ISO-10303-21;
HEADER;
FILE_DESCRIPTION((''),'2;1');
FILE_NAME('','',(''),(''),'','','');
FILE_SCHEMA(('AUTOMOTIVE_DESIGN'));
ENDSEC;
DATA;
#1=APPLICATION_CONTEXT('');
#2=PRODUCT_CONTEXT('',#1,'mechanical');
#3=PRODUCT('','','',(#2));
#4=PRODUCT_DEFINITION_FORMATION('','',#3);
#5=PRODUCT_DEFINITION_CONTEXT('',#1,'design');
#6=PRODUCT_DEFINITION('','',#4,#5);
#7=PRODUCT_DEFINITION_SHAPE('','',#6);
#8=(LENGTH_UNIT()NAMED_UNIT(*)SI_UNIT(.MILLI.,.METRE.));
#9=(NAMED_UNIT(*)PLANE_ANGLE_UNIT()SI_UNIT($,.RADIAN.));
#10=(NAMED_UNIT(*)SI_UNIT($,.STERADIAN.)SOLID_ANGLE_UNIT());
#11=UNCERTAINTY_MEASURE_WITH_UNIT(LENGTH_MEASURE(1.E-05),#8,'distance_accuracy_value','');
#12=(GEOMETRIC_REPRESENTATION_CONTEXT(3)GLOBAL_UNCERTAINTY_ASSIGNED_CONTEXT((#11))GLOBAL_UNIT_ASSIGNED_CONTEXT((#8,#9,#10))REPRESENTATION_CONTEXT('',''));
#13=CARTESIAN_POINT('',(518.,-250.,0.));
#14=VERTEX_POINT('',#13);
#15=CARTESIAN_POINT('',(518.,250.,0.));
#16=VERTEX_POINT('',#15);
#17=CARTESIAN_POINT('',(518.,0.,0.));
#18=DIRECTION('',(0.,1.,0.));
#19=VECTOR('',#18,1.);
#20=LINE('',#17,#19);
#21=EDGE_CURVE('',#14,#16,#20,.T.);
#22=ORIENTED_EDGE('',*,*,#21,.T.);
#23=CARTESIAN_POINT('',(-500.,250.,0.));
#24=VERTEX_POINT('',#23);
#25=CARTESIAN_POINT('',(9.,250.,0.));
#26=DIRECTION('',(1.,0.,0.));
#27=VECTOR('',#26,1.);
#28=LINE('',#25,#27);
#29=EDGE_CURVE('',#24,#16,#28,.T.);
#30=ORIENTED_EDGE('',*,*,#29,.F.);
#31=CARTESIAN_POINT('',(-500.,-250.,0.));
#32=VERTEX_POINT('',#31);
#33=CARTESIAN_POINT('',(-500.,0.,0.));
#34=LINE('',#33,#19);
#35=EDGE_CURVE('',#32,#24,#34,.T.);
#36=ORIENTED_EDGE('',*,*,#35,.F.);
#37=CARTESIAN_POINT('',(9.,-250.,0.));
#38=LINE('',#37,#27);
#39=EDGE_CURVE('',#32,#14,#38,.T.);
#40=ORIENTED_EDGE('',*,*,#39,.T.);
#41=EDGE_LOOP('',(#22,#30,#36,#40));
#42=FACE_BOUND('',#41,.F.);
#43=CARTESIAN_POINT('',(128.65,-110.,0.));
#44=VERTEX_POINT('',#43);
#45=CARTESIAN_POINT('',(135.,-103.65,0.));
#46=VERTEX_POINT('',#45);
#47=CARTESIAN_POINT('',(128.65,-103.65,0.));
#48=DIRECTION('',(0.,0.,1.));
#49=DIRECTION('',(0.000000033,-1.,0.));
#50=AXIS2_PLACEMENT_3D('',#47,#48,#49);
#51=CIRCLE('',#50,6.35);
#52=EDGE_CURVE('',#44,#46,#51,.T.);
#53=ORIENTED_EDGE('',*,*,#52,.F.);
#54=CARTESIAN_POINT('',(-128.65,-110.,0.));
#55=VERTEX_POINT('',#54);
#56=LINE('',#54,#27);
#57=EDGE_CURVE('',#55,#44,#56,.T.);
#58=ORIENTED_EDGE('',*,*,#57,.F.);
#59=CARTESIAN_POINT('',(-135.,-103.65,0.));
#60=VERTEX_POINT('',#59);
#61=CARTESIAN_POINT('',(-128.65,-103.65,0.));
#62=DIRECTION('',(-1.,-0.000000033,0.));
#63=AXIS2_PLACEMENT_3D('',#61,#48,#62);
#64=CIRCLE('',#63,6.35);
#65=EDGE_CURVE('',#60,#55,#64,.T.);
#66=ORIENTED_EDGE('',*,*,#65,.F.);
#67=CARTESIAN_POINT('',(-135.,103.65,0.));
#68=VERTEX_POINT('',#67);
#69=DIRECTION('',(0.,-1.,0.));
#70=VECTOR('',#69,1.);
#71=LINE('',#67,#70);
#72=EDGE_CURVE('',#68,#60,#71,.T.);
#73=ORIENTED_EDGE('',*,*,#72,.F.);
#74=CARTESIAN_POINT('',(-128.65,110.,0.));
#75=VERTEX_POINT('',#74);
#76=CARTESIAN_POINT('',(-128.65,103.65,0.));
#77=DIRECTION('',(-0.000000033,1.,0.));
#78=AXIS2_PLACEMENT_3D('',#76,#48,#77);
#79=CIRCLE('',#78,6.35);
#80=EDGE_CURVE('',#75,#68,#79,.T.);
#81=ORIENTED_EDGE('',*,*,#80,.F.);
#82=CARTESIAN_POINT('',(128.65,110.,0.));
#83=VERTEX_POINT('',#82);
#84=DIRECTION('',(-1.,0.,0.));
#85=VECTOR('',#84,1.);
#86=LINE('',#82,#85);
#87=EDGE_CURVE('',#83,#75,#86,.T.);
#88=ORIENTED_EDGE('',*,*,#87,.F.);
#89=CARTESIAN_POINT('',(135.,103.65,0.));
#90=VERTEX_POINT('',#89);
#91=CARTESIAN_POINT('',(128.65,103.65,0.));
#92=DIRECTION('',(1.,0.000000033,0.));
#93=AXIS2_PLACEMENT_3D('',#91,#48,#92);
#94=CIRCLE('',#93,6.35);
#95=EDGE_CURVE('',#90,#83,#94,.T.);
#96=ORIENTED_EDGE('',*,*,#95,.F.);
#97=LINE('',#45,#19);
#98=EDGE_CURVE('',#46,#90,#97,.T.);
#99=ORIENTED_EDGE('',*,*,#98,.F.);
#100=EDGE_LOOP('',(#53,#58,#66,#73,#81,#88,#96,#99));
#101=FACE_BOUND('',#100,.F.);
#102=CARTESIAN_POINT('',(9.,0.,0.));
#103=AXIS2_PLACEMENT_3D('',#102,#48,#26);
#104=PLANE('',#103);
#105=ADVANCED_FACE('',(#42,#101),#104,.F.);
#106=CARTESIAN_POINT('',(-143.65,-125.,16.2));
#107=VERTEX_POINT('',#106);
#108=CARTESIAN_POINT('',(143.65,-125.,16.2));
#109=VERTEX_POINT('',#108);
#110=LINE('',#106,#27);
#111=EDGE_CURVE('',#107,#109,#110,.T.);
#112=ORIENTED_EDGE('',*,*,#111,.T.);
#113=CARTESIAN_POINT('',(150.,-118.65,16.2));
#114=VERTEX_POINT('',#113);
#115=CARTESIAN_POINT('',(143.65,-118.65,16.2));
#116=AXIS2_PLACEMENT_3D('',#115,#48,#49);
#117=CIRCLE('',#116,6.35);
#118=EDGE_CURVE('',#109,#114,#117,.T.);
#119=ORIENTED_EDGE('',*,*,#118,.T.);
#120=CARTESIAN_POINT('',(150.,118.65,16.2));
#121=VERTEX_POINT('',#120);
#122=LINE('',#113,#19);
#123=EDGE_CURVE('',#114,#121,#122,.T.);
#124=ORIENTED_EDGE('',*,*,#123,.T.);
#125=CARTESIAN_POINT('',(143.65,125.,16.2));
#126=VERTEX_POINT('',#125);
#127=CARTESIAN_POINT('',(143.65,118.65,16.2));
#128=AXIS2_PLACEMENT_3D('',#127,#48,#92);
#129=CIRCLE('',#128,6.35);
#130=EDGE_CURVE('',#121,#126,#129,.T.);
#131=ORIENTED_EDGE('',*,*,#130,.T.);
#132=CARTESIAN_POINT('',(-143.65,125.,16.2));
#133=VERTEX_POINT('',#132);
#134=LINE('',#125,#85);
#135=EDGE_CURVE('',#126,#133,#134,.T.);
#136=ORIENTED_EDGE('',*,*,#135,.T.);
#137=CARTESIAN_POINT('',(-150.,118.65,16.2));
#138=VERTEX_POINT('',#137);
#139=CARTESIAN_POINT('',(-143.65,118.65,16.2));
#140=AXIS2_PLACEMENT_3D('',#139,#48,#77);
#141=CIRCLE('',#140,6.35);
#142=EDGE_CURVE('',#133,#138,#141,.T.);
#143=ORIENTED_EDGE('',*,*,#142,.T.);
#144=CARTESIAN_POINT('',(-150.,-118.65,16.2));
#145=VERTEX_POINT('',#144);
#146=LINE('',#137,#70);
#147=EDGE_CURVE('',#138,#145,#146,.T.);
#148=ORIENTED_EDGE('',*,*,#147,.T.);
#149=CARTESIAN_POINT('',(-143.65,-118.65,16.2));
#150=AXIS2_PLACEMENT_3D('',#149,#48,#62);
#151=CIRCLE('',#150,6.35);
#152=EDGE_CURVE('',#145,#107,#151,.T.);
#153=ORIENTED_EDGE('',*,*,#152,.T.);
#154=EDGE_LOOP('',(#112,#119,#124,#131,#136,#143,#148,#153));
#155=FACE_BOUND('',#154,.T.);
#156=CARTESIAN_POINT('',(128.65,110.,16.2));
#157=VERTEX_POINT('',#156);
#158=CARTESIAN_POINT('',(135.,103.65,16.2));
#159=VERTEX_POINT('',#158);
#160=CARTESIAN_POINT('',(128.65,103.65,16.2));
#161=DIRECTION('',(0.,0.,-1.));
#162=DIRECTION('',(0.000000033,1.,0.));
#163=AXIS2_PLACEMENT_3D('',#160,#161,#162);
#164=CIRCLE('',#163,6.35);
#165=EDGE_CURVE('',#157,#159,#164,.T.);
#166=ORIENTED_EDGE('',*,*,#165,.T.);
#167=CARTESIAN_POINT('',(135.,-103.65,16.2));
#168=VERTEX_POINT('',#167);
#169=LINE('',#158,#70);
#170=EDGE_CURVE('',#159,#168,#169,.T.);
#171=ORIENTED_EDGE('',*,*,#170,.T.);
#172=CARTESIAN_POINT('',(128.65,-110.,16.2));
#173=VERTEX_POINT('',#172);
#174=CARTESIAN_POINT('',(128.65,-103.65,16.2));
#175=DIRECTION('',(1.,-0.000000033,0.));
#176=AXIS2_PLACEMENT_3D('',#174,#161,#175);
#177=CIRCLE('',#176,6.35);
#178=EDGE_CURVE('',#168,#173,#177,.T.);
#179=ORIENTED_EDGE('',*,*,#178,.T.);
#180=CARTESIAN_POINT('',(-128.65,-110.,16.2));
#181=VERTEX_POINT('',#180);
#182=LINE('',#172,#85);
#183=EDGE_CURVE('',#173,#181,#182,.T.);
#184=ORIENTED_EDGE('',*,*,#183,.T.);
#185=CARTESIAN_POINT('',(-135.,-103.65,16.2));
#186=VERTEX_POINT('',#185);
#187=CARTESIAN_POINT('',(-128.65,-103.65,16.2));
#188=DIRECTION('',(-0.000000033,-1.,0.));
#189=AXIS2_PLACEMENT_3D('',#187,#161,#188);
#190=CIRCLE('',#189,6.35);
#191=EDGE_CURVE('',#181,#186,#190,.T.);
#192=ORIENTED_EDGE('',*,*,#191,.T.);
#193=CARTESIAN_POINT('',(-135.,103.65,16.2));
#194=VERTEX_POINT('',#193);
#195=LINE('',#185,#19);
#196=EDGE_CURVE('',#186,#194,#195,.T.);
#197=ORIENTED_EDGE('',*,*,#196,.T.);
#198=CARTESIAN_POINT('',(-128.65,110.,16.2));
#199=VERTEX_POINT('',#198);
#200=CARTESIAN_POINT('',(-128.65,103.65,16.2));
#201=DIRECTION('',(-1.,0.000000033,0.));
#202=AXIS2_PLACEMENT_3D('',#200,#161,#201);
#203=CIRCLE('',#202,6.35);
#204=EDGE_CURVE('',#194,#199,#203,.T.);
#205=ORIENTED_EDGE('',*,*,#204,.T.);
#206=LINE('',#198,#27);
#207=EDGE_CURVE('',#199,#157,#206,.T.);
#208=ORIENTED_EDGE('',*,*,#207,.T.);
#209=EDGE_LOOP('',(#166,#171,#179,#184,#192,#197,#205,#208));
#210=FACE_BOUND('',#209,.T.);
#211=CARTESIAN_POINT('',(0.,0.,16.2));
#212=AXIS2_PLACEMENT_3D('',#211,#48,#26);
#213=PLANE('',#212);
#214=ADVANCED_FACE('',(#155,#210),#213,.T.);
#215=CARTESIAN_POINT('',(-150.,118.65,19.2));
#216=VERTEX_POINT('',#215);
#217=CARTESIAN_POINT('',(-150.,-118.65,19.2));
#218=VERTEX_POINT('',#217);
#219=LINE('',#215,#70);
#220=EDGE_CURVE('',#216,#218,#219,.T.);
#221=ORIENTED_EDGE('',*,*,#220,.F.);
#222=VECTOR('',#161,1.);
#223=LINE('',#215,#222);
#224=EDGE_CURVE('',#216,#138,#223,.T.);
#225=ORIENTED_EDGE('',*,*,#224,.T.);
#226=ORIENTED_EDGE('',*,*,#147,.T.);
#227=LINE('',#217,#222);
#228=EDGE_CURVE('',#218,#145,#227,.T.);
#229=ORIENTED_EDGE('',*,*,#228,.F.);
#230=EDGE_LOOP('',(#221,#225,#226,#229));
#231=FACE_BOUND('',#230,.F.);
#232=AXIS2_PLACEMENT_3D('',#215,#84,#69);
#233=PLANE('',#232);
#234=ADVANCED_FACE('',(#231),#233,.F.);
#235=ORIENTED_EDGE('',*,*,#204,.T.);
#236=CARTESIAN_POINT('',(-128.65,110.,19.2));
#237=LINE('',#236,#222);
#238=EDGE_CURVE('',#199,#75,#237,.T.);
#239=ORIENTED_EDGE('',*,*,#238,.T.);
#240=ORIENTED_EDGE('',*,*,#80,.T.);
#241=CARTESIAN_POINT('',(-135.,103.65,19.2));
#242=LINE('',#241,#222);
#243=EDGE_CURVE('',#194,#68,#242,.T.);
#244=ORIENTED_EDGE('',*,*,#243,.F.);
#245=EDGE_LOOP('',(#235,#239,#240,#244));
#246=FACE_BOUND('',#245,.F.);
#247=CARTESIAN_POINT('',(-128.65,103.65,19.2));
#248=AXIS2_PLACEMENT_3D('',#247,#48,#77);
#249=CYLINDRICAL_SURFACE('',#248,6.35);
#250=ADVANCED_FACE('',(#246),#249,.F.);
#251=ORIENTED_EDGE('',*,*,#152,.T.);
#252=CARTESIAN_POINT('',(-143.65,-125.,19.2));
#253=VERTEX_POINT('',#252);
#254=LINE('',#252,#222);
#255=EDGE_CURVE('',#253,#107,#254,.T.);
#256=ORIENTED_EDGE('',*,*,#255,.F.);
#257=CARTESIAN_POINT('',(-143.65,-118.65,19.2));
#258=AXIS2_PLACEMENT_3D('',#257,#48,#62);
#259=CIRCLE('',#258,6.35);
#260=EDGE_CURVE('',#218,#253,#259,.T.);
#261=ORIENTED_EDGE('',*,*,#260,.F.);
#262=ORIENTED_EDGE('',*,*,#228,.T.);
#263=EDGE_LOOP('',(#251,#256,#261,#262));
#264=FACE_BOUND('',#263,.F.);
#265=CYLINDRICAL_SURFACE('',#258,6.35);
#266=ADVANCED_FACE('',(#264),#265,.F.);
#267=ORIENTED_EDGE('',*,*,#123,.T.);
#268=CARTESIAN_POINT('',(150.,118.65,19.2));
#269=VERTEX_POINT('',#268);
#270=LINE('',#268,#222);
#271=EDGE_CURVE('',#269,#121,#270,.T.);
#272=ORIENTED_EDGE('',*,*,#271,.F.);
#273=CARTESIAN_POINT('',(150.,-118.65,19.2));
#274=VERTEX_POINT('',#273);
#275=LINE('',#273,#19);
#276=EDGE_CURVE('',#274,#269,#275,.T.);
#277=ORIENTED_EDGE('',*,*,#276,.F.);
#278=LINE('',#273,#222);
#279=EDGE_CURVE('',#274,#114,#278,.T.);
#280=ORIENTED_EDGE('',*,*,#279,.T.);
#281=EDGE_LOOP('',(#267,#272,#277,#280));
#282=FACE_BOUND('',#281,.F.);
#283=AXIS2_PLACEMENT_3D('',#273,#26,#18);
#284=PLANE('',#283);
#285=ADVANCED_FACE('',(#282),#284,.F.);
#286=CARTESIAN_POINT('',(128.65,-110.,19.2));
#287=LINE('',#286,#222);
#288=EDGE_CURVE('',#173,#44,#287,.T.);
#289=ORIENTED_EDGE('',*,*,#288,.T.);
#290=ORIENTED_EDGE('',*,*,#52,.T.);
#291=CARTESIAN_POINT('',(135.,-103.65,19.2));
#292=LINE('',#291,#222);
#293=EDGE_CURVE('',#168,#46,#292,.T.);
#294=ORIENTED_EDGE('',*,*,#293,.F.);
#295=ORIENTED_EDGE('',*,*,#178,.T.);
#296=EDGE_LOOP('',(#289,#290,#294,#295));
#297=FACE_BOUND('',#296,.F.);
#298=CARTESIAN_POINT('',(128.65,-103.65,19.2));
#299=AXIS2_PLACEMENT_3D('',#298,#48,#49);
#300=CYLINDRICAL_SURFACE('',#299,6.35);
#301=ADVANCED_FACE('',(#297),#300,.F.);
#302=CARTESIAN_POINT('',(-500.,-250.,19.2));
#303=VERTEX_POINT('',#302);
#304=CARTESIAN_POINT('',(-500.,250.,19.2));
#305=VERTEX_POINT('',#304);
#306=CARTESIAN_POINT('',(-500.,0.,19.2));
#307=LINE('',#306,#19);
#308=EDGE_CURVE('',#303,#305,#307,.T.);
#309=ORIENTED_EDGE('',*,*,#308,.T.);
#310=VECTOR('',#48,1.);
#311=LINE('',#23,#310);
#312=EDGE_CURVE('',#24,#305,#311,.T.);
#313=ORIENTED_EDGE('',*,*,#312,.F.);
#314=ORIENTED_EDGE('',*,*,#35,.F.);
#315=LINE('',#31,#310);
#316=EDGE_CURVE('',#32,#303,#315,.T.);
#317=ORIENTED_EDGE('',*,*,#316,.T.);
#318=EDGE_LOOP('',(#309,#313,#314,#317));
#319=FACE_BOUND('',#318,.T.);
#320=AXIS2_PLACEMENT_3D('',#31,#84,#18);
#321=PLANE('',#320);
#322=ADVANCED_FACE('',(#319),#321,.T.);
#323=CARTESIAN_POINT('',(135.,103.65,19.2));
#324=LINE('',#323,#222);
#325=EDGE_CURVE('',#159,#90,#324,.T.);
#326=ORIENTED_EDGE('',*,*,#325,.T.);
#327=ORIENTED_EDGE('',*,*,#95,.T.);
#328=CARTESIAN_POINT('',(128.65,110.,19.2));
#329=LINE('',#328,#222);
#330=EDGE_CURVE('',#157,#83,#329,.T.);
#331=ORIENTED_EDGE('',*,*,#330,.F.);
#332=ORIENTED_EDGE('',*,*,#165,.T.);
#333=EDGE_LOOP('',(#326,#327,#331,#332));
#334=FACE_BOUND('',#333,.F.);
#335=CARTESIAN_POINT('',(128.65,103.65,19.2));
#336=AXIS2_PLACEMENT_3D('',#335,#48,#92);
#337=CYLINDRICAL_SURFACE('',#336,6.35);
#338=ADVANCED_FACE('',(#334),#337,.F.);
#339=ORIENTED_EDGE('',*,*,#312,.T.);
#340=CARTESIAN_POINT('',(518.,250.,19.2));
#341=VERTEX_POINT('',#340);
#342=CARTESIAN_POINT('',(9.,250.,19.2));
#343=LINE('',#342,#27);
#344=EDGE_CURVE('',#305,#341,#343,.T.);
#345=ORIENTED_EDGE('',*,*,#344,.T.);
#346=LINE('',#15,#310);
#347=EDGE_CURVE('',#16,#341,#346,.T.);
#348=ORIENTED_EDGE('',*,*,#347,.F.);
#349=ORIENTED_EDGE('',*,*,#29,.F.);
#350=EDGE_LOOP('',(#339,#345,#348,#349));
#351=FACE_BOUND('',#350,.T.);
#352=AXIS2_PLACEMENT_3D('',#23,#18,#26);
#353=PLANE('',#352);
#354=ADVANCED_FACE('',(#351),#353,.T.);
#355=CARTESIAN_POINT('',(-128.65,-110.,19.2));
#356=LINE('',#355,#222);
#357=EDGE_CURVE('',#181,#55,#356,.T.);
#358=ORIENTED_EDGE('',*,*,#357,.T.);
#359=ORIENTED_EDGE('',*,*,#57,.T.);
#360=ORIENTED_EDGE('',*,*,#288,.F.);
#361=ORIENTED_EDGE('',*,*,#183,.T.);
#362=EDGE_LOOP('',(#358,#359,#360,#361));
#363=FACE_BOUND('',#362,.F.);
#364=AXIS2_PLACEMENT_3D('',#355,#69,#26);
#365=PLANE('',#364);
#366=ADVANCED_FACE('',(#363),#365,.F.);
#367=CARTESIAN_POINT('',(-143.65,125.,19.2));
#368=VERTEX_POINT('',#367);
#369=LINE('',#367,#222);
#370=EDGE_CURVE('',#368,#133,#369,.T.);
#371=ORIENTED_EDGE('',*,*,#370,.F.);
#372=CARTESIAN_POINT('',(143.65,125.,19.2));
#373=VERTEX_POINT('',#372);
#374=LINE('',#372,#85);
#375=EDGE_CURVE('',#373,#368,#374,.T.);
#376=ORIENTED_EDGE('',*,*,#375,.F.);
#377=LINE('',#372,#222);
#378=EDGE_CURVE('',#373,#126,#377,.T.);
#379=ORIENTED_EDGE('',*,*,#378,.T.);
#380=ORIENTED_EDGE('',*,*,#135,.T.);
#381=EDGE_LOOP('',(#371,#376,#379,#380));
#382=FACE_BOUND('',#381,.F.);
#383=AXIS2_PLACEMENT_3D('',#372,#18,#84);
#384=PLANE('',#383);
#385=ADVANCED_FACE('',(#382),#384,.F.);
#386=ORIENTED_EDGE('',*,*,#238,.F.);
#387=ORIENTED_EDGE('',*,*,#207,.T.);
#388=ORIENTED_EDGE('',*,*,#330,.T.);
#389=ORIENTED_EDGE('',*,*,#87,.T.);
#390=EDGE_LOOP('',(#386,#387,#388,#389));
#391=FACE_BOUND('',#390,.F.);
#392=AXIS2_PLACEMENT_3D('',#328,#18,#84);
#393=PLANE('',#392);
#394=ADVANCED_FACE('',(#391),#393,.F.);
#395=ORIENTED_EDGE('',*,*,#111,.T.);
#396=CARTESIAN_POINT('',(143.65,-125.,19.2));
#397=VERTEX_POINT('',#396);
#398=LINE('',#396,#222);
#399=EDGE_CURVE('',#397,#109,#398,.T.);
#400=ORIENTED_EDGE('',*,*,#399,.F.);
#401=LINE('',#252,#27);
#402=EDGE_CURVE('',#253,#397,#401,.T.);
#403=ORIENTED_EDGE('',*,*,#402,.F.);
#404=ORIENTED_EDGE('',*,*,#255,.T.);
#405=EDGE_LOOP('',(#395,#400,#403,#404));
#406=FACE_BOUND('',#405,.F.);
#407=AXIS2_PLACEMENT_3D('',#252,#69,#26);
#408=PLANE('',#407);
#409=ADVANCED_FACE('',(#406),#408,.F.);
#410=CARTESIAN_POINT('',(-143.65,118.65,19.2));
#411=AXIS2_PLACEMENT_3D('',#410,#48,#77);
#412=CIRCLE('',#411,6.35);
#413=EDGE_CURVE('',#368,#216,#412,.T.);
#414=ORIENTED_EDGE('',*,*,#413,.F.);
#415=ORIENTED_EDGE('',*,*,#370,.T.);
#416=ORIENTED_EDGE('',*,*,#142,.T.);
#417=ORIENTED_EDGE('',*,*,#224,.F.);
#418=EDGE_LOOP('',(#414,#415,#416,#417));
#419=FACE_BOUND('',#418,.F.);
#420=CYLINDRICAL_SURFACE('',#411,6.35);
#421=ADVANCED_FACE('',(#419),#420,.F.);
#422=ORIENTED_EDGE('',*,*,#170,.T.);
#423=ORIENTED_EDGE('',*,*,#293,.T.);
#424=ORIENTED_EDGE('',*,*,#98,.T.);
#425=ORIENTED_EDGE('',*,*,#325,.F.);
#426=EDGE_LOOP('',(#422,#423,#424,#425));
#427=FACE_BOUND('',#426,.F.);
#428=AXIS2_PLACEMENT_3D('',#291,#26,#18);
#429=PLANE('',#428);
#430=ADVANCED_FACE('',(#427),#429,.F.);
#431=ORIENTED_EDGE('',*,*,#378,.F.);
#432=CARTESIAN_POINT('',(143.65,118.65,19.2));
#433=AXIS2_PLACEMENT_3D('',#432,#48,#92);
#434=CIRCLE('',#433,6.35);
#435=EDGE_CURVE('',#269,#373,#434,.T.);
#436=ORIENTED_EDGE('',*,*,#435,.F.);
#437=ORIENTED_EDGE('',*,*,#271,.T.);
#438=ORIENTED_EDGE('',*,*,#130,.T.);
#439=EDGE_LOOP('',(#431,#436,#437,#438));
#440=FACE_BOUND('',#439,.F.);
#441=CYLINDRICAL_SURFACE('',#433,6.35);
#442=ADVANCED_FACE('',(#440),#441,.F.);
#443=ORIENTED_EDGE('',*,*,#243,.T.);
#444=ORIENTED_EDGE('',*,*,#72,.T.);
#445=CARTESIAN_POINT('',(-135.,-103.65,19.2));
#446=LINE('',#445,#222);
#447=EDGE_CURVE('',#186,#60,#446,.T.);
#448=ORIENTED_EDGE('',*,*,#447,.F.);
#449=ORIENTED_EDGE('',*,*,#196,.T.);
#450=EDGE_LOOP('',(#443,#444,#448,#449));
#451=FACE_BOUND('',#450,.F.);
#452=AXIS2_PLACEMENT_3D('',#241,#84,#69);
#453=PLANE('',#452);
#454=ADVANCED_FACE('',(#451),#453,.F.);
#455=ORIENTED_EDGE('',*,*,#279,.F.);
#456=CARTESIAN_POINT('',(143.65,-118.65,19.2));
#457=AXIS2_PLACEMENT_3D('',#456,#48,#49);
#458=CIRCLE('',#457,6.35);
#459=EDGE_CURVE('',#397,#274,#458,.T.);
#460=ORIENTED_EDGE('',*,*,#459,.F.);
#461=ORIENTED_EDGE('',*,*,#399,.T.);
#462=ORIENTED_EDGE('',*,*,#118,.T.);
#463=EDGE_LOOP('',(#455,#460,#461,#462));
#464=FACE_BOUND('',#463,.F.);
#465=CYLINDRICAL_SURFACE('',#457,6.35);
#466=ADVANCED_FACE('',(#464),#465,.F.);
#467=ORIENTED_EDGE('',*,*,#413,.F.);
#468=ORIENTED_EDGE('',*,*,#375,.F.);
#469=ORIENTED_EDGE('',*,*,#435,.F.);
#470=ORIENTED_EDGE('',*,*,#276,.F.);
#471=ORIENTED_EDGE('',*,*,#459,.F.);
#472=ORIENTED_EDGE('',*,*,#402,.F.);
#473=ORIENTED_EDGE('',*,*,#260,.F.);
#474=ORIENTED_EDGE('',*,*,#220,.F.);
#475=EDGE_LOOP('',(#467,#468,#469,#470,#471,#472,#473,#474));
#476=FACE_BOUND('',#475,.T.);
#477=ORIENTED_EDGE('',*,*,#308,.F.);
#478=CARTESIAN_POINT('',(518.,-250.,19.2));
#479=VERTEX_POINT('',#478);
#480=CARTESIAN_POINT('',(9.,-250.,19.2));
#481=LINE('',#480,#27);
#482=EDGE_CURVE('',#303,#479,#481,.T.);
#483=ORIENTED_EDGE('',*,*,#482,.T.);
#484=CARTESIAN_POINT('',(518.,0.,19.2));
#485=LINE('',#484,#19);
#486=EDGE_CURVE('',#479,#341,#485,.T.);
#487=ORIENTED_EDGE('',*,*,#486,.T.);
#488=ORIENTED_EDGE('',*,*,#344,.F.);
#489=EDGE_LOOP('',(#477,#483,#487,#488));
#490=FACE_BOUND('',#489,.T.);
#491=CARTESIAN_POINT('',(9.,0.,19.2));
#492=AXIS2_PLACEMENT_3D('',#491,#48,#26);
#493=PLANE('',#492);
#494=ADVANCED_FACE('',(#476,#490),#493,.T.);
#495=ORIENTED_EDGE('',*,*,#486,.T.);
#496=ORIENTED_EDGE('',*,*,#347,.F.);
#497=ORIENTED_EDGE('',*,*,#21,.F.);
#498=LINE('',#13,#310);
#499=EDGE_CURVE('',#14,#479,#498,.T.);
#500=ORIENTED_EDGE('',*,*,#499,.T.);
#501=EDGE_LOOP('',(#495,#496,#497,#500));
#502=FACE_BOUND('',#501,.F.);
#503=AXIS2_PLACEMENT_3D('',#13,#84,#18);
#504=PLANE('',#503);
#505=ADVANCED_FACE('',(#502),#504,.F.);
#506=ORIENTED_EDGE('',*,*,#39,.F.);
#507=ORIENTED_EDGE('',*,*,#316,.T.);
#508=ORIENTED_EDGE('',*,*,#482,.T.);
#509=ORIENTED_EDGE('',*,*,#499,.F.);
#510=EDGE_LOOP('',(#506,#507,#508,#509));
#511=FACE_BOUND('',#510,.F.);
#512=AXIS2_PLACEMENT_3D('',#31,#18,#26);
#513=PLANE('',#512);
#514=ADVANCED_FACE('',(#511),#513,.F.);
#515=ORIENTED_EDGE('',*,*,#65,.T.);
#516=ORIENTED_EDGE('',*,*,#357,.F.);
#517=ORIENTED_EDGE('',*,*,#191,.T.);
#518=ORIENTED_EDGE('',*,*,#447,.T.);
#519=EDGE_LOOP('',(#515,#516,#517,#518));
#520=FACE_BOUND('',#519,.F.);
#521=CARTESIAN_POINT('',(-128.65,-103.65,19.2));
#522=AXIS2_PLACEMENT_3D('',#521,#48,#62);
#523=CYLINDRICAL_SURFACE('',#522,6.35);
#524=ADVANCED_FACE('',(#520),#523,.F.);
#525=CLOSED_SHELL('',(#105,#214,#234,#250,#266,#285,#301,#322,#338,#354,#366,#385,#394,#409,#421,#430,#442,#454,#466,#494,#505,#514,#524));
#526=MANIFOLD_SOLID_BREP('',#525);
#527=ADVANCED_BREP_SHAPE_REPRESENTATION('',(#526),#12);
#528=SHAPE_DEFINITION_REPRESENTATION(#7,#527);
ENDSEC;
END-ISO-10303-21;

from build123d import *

# Parameters (mm, degrees)
F0_W     = 1018
F0_H     = 500
F1_DEPTH = 19.2
F3_DEPTH = 3
F4_DEPTH = 19.2


with BuildPart() as f1:
    # F0 (on Top) → F1 (new body)
    with BuildSketch(Plane.XY):
        with Locations((9, 0)):
            Rectangle(F0_W, F0_H)
    extrude(amount=F1_DEPTH)

    # F2 (on face) → F3 (cut)
    with BuildSketch(Plane.XY.offset(19.2)):
        with BuildLine():
            ThreePointArc((150, 118.65), (148.140128, 123.140128), (143.65, 125))
            Line((143.65, 125), (-143.65, 125))
            ThreePointArc((-143.65, 125), (-148.140128, 123.140128), (-150, 118.65))
            Line((-150, 118.65), (-150, -118.65))
            ThreePointArc((-150, -118.65), (-148.140128, -123.140128), (-143.65, -125))
            Line((-143.65, -125), (143.65, -125))
            ThreePointArc((143.65, -125), (148.140128, -123.140128), (150, -118.65))
            Line((150, -118.65), (150, 118.65))
        make_face()
        with BuildLine():
            Line((-135, -103.65), (-135, 103.65))
            ThreePointArc((-135, 103.65), (-133.140128, 108.140128), (-128.65, 110))
            Line((-128.65, 110), (128.65, 110))
            ThreePointArc((128.65, 110), (133.140128, 108.140128), (135, 103.65))
            Line((135, 103.65), (135, -103.65))
            ThreePointArc((135, -103.65), (133.140128, -108.140128), (128.65, -110))
            Line((128.65, -110), (-128.65, -110))
            ThreePointArc((-128.65, -110), (-133.140128, -108.140128), (-135, -103.65))
        make_face(mode=Mode.SUBTRACT)
    extrude(amount=-F3_DEPTH, mode=Mode.SUBTRACT)

    # F2 (on face) → F4 (cut, through all)
    with BuildSketch(Plane.XY.offset(19.2)):
        with BuildLine():
            ThreePointArc((-128.65, 110), (-133.140128, 108.140128), (-135, 103.65))
            Line((-135, 103.65), (-135, -103.65))
            ThreePointArc((-135, -103.65), (-133.140128, -108.140128), (-128.65, -110))
            Line((-128.65, -110), (128.65, -110))
            ThreePointArc((128.65, -110), (133.140128, -108.140128), (135, -103.65))
            Line((135, -103.65), (135, 103.65))
            ThreePointArc((135, 103.65), (133.140128, 108.140128), (128.65, 110))
            Line((128.65, 110), (-128.65, 110))
        make_face()
    extrude(amount=-F4_DEPTH, mode=Mode.SUBTRACT)


solid = f1.part
